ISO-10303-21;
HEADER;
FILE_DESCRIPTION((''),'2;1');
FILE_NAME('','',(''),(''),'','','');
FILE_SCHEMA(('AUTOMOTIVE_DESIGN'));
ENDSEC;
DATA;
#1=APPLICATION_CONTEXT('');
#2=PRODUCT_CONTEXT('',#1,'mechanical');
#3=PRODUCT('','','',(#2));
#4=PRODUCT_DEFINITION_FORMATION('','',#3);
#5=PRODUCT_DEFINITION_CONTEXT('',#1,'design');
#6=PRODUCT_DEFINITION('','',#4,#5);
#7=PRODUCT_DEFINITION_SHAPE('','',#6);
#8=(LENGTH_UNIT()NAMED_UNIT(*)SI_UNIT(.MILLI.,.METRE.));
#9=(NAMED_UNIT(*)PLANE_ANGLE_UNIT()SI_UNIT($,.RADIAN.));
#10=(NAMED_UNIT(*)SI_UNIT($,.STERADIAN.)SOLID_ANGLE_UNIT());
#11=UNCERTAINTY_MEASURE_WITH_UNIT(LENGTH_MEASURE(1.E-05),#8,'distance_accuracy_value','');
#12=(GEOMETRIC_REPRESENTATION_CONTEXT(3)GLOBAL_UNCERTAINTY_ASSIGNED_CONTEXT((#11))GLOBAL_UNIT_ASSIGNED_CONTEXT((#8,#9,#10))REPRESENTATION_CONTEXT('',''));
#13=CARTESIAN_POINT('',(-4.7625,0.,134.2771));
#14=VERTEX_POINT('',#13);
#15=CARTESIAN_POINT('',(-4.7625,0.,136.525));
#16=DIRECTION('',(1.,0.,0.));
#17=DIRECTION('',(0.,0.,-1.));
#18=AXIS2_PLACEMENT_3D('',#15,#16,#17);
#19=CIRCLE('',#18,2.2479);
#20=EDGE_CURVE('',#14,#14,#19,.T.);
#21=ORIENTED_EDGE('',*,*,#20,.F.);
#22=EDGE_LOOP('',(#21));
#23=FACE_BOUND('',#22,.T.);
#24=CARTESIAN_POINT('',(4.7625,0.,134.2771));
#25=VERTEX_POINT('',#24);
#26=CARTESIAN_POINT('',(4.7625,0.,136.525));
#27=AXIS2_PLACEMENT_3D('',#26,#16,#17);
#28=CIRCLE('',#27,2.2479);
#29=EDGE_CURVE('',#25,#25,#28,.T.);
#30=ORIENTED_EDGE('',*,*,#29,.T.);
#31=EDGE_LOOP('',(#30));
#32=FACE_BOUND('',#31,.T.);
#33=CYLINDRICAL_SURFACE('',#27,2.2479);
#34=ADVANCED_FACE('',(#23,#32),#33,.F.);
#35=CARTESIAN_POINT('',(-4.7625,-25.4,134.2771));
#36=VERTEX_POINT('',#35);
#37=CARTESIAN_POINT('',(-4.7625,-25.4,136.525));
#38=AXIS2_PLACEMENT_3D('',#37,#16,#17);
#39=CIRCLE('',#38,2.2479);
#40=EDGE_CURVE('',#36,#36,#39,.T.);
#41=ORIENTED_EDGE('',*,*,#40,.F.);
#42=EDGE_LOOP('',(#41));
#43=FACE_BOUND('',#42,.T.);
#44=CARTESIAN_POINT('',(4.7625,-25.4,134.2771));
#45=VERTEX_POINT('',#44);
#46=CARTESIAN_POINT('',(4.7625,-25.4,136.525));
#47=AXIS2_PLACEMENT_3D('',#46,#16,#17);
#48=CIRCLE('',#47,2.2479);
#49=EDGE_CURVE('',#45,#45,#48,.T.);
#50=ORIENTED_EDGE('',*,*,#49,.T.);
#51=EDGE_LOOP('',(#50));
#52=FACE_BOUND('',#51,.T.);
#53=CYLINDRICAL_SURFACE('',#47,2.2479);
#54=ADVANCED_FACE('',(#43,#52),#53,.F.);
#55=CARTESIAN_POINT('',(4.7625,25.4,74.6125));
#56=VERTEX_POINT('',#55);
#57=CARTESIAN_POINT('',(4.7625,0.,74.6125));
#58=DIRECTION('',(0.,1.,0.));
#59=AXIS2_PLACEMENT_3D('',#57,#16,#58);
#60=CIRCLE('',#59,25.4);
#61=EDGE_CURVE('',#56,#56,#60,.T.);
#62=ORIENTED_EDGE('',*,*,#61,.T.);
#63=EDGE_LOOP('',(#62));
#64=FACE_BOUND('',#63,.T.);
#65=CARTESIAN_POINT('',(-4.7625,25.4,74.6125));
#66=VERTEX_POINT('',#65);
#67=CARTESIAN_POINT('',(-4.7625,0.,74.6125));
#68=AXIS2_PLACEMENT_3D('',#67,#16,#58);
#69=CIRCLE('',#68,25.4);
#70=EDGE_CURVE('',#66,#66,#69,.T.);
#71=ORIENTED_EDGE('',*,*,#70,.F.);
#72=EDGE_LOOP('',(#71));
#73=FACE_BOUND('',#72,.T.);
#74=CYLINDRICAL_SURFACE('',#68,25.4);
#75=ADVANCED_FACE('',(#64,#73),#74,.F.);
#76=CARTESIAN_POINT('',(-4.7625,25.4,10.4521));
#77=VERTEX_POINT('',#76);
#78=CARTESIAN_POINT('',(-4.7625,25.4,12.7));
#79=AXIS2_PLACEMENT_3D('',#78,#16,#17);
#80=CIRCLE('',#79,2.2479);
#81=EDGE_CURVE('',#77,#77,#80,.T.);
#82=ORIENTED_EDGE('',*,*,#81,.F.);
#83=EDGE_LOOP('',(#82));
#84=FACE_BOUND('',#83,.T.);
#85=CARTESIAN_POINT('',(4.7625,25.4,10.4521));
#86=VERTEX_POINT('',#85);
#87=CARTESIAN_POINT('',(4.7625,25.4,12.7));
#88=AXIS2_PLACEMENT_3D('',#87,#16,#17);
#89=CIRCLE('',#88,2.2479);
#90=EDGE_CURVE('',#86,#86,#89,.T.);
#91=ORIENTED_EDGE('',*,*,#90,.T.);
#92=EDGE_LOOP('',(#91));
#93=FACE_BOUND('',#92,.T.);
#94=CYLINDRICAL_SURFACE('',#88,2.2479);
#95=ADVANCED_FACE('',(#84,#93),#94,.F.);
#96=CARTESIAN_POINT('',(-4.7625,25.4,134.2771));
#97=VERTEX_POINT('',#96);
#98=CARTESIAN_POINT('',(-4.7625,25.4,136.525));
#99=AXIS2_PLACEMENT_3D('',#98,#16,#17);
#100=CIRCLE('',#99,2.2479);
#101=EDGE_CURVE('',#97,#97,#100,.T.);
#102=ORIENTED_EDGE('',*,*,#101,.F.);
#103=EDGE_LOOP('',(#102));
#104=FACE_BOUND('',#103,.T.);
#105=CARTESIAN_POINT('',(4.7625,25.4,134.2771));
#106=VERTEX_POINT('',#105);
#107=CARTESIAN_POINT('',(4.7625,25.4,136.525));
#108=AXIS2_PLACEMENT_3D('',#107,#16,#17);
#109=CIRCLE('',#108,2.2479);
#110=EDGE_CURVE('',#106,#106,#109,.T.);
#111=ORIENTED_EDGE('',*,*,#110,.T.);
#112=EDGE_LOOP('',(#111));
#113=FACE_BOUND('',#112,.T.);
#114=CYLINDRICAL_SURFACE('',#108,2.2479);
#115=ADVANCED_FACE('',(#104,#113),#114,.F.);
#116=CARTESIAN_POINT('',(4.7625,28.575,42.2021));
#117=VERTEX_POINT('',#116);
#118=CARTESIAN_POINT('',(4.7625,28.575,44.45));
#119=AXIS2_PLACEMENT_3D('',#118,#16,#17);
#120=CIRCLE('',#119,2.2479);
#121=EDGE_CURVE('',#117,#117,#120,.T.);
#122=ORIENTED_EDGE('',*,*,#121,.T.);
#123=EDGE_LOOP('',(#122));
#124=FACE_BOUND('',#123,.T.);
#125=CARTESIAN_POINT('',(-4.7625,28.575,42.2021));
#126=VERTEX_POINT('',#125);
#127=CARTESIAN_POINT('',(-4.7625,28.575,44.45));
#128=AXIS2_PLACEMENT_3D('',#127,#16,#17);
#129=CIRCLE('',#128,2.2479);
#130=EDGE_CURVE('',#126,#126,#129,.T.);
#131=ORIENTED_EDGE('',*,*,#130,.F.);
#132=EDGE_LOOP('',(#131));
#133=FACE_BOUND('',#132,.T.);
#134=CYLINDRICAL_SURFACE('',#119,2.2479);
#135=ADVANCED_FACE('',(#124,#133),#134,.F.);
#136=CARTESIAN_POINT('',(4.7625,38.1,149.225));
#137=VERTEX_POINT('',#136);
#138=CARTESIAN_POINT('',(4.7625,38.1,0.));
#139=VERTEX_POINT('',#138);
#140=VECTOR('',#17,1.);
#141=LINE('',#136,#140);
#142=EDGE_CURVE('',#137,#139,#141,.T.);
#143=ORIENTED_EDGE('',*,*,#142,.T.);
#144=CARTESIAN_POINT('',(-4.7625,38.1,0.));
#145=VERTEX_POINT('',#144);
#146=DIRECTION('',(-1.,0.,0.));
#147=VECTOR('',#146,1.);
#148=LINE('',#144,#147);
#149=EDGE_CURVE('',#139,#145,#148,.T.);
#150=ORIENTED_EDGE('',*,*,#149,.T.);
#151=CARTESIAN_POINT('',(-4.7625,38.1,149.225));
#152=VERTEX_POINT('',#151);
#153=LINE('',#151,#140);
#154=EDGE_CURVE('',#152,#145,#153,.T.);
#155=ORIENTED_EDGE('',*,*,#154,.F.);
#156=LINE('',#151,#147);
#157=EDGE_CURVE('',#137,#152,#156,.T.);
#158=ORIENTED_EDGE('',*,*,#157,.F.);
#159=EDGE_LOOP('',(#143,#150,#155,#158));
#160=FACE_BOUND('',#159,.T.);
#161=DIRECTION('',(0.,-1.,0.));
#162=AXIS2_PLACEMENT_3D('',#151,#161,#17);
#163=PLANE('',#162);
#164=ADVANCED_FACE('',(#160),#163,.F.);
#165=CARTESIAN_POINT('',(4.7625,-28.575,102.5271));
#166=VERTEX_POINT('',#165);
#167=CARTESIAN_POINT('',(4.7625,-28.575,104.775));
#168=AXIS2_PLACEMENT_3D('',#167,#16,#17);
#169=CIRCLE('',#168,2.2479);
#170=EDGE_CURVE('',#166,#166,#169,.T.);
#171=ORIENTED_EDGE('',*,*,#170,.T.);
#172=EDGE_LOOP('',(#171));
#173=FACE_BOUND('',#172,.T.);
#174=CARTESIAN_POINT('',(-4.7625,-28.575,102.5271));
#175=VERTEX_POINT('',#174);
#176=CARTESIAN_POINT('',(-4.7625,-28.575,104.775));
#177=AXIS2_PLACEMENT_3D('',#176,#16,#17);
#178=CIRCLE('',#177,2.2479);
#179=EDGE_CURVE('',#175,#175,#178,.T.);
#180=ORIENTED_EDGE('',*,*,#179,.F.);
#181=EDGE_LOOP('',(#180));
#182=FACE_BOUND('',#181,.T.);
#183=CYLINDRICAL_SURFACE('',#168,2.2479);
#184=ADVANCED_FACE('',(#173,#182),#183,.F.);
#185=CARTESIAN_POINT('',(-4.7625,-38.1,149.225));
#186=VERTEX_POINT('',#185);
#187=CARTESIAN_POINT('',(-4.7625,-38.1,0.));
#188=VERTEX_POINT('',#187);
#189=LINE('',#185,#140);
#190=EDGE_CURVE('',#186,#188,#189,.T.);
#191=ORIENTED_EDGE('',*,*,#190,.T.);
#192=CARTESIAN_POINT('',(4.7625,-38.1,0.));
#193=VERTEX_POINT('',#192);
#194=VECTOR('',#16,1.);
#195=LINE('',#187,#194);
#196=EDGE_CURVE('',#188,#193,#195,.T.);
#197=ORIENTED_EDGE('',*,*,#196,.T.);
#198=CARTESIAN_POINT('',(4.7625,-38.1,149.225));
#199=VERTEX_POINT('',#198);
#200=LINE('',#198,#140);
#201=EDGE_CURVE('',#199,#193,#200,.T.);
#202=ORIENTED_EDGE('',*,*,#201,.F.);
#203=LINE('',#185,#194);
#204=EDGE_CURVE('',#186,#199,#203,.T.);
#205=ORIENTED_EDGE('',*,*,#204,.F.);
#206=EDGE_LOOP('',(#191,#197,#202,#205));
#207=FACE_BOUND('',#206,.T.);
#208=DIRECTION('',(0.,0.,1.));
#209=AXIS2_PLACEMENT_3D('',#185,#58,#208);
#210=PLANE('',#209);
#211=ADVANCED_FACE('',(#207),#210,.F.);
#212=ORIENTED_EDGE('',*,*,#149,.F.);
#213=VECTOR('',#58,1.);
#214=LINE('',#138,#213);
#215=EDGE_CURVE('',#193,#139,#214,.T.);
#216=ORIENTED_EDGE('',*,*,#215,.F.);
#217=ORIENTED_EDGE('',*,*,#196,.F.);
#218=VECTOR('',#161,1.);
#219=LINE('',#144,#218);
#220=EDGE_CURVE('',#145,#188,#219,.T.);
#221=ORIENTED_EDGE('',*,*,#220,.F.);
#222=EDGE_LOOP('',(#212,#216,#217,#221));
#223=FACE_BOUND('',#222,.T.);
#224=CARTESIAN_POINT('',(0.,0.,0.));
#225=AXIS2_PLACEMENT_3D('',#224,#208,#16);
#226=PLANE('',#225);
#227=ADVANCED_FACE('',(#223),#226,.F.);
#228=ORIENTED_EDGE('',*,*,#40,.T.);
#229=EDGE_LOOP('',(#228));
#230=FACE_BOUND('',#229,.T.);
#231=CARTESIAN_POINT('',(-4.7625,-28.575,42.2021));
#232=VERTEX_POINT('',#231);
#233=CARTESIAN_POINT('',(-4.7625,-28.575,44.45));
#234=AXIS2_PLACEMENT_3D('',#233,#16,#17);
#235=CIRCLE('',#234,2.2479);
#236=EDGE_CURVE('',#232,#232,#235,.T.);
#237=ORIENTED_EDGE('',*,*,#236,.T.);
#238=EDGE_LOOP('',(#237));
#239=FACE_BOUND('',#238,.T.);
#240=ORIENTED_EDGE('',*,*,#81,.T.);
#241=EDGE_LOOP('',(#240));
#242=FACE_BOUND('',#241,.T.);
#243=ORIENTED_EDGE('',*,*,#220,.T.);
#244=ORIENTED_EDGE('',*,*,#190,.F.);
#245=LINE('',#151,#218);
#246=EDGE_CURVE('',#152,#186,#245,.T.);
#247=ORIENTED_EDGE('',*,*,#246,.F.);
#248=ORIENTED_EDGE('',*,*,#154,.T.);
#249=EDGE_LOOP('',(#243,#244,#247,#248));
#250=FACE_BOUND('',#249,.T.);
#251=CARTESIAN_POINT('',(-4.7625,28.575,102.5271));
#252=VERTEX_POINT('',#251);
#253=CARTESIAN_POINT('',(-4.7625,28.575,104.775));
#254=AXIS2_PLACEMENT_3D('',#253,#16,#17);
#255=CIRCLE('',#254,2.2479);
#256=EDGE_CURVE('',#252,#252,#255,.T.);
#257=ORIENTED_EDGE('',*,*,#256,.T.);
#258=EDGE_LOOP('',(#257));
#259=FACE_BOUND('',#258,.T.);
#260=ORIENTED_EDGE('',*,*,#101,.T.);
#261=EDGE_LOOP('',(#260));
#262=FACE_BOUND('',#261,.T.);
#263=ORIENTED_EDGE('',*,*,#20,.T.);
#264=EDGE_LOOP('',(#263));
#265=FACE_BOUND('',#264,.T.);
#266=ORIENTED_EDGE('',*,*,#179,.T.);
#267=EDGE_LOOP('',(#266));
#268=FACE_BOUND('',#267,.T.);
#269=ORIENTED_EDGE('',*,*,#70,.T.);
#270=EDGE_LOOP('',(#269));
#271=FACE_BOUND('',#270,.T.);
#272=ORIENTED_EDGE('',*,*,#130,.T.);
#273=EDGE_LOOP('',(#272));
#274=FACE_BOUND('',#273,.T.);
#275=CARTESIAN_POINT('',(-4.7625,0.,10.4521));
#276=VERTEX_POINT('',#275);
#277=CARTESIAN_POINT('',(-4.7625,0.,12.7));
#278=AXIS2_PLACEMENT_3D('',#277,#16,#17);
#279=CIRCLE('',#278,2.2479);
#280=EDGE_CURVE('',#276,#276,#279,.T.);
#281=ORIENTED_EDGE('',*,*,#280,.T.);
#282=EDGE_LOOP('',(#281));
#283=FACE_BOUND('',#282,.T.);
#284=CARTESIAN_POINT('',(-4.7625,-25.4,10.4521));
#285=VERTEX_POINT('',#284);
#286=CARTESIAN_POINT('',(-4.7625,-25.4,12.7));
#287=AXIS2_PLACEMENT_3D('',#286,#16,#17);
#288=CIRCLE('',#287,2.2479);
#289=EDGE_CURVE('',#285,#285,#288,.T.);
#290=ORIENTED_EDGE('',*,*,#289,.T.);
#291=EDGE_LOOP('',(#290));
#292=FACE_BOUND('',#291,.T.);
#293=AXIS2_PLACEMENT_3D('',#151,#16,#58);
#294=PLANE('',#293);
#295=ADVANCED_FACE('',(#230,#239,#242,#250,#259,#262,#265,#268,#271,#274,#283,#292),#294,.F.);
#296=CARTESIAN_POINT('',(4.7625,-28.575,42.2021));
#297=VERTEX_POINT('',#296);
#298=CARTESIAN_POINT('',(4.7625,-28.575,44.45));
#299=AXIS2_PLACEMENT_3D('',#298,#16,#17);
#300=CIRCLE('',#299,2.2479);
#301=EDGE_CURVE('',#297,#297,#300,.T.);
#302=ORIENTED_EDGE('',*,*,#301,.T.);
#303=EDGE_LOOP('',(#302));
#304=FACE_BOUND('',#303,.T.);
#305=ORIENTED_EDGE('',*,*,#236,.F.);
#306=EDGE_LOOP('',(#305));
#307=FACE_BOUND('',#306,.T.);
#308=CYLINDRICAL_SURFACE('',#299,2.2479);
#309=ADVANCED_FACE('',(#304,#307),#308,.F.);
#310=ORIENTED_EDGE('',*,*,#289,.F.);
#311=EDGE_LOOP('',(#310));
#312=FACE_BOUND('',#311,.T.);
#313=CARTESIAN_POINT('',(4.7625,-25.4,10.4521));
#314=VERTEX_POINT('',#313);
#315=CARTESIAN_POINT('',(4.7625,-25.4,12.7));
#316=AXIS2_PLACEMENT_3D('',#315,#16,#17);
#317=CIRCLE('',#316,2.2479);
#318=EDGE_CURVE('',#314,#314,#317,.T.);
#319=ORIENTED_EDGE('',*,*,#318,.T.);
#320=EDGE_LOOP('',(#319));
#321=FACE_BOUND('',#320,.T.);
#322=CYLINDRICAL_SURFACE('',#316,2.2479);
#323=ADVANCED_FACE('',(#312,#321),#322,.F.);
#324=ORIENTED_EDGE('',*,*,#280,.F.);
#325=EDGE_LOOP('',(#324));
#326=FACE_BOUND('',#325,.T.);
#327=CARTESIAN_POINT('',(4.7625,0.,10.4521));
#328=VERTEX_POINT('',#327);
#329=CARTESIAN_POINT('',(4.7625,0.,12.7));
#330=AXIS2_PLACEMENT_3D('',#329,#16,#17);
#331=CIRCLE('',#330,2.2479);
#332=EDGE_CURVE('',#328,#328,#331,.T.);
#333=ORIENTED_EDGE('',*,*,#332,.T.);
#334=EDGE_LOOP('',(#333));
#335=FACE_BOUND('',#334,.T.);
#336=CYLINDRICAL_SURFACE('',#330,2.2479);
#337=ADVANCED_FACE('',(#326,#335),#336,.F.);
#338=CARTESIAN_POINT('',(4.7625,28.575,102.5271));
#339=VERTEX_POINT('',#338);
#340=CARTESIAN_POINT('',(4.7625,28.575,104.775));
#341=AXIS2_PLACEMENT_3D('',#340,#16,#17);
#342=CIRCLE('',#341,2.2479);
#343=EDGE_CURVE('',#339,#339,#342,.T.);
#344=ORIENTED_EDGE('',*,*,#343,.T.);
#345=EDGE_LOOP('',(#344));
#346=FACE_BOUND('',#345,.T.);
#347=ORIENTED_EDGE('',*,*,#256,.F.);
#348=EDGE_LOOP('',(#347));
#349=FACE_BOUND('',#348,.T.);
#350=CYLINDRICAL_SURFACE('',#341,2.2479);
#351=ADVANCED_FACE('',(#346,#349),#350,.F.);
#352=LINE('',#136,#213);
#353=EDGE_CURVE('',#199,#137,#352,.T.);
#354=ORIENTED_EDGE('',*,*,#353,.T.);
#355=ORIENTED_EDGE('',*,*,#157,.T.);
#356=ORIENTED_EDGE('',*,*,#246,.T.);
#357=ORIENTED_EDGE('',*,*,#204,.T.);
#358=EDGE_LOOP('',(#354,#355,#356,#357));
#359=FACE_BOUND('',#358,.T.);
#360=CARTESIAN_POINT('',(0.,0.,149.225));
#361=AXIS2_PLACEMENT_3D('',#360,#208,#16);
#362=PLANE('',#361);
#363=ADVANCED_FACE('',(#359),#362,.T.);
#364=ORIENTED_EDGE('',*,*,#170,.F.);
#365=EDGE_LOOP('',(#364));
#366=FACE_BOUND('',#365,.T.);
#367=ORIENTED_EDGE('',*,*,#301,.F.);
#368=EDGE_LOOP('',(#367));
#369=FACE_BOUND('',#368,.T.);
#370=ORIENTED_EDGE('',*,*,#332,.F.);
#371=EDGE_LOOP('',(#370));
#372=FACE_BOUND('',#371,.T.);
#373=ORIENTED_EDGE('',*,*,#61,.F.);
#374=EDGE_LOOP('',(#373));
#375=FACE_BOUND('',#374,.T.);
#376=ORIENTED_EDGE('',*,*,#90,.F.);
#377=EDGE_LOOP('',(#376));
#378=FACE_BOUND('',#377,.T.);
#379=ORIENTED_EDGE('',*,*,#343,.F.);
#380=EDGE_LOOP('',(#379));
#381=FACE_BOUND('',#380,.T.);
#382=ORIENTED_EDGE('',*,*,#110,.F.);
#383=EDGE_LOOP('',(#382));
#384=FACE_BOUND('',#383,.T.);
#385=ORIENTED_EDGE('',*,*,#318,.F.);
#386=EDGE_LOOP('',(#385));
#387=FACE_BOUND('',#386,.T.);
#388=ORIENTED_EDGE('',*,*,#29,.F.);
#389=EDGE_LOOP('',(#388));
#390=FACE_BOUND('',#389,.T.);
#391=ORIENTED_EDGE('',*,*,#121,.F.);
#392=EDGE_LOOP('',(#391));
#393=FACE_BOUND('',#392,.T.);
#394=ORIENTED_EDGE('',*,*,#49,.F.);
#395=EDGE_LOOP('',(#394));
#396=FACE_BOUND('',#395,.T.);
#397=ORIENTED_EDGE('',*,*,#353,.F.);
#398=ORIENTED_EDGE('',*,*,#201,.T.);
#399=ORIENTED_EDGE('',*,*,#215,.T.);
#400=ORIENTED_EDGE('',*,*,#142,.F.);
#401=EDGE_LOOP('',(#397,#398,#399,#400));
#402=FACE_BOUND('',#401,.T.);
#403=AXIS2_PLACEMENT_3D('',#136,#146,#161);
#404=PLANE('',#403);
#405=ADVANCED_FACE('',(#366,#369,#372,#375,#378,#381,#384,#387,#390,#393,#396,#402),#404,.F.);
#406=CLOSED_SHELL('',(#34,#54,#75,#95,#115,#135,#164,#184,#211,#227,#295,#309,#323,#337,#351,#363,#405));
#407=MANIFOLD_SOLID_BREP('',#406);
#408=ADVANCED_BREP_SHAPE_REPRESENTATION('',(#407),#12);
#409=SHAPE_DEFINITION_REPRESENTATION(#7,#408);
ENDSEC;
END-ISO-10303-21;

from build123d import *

# Parameters (mm, degrees)
SKETCH1_W             = 9.525
SKETCH1_H             = 76.2
BOSS_EXTRUDE1_DEPTH   = 149.225
F_8_CLEARANCE_HOLE1_D = 4.4958
F_8_CLEARANCE_HOLE2_D = 4.4958
SKETCH6_R             = 25.4
CUT_EXTRUDE1_DEPTH    = 10.525


with BuildPart() as part:
    # Sketch1 → Boss-Extrude1 (new body)
    with BuildSketch(Plane.XY):
        Rectangle(SKETCH1_W, SKETCH1_H)
    extrude(amount=BOSS_EXTRUDE1_DEPTH)

    # #8 Clearance Hole1 (through all)
    with Locations(Plane(origin=(4.7625, 0, 0), x_dir=(0, 0, -1), z_dir=(1, 0, 0))):
        with Locations((-44.45, -28.575), (-104.775, 28.575), (-104.775, -28.575), (-44.45, 28.575)):
            Hole(F_8_CLEARANCE_HOLE1_D / 2)

    # #8 Clearance Hole2 (through all)
    with Locations(Plane(origin=(4.7625, 0, 0), x_dir=(0, 0, -1), z_dir=(1, 0, 0))):
        with Locations((-136.525, 25.4), (-136.525, 0), (-136.525, -25.4), (-12.7, 25.4), (-12.7, 0), (-12.7, -25.4)):
            Hole(F_8_CLEARANCE_HOLE2_D / 2)

    # Sketch6 → Cut-Extrude1 (cut, through all)
    with BuildSketch(Plane(origin=(4.7625, 0, 0), x_dir=(0, 0, -1), z_dir=(1, 0, 0))):
        with Locations(Location((-74.6125, 0, 0), (0, 0, 90))):  # turned: the seam where the file's is
            Circle(SKETCH6_R)
    extrude(amount=-CUT_EXTRUDE1_DEPTH, mode=Mode.SUBTRACT)


solid = part.part
